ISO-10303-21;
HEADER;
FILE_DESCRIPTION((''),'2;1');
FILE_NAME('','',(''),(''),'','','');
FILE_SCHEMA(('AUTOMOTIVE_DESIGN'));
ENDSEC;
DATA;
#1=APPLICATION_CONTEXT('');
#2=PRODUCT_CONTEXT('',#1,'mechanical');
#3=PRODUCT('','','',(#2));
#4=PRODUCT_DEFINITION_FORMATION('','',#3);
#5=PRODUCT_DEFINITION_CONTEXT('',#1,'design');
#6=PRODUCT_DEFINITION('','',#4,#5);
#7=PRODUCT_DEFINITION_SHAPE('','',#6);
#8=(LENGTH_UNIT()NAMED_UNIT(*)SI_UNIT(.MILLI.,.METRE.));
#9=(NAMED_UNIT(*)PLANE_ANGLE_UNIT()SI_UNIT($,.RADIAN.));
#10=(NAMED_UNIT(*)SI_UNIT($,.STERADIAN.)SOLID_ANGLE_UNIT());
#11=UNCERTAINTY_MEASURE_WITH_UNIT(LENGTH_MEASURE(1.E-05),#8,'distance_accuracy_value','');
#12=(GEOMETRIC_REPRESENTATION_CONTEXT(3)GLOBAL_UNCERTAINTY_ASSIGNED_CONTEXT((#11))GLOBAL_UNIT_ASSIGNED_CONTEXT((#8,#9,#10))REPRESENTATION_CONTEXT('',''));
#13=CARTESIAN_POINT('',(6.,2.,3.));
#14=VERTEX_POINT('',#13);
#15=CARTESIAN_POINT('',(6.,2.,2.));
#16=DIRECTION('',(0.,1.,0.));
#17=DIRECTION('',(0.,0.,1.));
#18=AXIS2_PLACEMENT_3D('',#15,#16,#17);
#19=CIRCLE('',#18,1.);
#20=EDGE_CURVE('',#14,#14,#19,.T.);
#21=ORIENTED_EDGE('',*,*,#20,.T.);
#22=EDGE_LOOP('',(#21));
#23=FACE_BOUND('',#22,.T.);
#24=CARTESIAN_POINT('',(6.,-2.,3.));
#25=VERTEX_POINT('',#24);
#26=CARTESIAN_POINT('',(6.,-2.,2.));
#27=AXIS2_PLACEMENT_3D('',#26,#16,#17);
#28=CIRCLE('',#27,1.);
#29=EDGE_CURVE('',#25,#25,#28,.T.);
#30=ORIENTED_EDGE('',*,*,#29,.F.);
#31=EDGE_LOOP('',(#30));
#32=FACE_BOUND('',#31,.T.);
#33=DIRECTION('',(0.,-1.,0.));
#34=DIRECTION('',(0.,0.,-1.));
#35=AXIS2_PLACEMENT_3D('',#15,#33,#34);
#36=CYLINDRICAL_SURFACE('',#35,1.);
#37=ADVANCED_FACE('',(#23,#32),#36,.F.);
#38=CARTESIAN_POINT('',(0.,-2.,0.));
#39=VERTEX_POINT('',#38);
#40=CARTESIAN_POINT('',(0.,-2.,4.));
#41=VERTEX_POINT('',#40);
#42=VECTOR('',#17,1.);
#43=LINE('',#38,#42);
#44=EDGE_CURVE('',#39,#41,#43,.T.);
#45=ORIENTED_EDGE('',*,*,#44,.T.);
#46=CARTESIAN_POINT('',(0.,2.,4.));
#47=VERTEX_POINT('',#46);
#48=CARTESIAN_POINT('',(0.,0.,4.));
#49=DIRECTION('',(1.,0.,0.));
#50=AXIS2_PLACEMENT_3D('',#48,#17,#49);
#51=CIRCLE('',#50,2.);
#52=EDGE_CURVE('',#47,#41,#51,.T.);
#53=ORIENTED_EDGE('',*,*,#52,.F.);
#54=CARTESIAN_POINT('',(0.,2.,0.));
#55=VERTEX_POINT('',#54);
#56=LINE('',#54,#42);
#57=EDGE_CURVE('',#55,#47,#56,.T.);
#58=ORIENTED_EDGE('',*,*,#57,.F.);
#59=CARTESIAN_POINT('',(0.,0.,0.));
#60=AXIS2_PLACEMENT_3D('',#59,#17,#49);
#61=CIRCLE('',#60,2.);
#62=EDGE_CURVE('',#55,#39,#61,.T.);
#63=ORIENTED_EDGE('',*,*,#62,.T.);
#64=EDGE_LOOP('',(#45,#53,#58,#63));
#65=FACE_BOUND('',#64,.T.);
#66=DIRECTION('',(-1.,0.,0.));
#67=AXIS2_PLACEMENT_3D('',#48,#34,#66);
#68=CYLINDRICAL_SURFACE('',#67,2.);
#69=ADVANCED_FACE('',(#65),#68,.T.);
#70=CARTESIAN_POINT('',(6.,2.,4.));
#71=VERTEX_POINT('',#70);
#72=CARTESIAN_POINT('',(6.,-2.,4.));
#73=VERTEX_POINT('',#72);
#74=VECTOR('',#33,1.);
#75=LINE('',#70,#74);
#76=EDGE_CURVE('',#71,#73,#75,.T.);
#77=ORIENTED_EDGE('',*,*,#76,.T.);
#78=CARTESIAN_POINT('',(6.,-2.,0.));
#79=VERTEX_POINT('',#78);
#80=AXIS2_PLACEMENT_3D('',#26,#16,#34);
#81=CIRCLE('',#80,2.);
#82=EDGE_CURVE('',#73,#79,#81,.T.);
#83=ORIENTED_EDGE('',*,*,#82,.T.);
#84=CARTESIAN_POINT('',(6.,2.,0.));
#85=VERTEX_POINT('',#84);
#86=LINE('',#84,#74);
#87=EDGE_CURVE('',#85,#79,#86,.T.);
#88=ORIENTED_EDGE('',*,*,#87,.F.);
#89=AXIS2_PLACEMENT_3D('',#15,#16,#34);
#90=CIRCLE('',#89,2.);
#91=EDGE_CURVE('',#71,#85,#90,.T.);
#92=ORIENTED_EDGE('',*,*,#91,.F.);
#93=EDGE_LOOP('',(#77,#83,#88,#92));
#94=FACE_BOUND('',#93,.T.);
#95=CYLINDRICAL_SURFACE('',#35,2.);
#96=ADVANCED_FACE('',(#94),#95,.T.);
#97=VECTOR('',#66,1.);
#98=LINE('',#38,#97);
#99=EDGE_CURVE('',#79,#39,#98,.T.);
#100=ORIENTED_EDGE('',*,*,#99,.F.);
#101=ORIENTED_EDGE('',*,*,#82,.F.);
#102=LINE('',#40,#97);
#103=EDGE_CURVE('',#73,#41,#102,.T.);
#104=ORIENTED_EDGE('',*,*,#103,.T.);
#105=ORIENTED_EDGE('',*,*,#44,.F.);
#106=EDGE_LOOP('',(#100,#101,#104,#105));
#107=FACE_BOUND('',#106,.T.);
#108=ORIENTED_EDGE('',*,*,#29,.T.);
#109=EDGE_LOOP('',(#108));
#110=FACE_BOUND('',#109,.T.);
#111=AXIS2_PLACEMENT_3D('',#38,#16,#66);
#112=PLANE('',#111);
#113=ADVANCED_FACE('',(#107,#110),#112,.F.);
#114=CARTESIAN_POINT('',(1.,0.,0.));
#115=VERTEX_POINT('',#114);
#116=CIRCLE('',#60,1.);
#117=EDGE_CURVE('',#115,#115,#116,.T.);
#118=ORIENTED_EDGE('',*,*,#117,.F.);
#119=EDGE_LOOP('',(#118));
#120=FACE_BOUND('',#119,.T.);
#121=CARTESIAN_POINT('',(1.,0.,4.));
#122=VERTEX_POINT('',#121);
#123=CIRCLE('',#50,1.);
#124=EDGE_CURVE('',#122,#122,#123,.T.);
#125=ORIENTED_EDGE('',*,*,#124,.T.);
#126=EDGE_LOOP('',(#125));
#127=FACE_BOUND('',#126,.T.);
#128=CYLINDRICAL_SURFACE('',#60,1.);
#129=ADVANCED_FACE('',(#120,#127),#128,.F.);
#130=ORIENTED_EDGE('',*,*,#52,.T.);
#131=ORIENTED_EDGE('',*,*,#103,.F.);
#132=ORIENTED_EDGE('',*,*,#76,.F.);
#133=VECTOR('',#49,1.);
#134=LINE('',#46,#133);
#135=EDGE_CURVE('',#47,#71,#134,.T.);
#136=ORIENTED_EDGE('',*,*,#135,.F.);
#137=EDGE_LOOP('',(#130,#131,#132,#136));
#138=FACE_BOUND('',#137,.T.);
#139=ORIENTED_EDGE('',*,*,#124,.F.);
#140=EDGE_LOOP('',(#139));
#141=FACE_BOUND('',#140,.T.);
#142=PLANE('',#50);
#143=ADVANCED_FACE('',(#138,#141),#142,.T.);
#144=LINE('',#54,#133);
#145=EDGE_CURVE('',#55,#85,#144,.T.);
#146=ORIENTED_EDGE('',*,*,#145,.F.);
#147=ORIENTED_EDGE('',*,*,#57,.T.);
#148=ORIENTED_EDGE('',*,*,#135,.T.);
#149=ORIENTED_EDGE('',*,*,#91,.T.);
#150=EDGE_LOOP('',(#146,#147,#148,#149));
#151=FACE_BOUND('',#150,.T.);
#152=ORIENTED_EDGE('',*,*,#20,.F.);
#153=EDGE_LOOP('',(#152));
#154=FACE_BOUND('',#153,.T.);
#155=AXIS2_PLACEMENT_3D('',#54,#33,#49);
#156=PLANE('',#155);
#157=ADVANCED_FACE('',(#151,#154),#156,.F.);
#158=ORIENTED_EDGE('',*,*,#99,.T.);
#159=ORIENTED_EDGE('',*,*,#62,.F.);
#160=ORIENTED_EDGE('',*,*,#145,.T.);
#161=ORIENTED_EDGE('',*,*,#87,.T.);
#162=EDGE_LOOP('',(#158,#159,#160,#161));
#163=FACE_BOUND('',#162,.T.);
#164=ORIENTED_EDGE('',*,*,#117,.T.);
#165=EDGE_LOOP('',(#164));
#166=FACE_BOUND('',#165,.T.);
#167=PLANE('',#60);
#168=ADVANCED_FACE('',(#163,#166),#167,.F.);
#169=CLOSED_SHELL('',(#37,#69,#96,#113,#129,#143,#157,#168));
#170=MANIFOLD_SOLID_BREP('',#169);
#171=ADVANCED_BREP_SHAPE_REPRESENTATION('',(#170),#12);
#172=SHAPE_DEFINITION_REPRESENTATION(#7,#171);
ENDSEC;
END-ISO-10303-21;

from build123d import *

# Parameters (mm, degrees)
SKETCH1_R           = 2
BOSS_EXTRUDE1_DEPTH = 4
BOSS_EXTRUDE2_START = -4
BOSS_EXTRUDE2_DEPTH = 4
SKETCH3_R           = 1
CUT_EXTRUDE1_DEPTH  = 6.385164807
SKETCH7_R           = 1
BOSS_EXTRUDE4_DEPTH = 2


with BuildPart() as part:
    # Sketch1 → Boss-Extrude1 (new body)
    with BuildSketch(Plane.XY):
        Circle(SKETCH1_R)
    extrude(amount=BOSS_EXTRUDE1_DEPTH)

    # Sketch2 → Boss-Extrude2 (add)
    with BuildSketch(Plane.XY.offset(4).offset(BOSS_EXTRUDE2_START)):
        with BuildLine():
            Line((3, 2), (0, 2))
            ThreePointArc((0, 2), (1.414213562, 1.414213562), (2, 0))
            ThreePointArc((2, 0), (1.414213562, -1.414213562), (0, -2))
            Line((0, -2), (3, -2))
            Line((3, -2), (3, 2))
        make_face()
    extrude(amount=BOSS_EXTRUDE2_DEPTH)

    # Sketch3 → Cut-Extrude1 (cut, through all)
    with BuildSketch(Plane.XY.offset(4)):
        Circle(SKETCH3_R)
    extrude(amount=-CUT_EXTRUDE1_DEPTH, mode=Mode.SUBTRACT)

    # Sketch7 → Boss-Extrude4 (add, symmetric)
    with BuildSketch(Plane(origin=(0, 0, 0), x_dir=(1, 0, 0), z_dir=(0, 1, 0))):
        with BuildLine():
            Line((3, 0), (3, -4))
            Line((3, -4), (6, -4))
            ThreePointArc((6, -4), (8, -2), (6, 0))
            Line((6, 0), (3, 0))
        make_face()
        with Locations(Location((6, -2, 0), (0, 0, 270))):
            Circle(SKETCH7_R, mode=Mode.SUBTRACT)
    extrude(amount=BOSS_EXTRUDE4_DEPTH, both=True)


solid = part.part
